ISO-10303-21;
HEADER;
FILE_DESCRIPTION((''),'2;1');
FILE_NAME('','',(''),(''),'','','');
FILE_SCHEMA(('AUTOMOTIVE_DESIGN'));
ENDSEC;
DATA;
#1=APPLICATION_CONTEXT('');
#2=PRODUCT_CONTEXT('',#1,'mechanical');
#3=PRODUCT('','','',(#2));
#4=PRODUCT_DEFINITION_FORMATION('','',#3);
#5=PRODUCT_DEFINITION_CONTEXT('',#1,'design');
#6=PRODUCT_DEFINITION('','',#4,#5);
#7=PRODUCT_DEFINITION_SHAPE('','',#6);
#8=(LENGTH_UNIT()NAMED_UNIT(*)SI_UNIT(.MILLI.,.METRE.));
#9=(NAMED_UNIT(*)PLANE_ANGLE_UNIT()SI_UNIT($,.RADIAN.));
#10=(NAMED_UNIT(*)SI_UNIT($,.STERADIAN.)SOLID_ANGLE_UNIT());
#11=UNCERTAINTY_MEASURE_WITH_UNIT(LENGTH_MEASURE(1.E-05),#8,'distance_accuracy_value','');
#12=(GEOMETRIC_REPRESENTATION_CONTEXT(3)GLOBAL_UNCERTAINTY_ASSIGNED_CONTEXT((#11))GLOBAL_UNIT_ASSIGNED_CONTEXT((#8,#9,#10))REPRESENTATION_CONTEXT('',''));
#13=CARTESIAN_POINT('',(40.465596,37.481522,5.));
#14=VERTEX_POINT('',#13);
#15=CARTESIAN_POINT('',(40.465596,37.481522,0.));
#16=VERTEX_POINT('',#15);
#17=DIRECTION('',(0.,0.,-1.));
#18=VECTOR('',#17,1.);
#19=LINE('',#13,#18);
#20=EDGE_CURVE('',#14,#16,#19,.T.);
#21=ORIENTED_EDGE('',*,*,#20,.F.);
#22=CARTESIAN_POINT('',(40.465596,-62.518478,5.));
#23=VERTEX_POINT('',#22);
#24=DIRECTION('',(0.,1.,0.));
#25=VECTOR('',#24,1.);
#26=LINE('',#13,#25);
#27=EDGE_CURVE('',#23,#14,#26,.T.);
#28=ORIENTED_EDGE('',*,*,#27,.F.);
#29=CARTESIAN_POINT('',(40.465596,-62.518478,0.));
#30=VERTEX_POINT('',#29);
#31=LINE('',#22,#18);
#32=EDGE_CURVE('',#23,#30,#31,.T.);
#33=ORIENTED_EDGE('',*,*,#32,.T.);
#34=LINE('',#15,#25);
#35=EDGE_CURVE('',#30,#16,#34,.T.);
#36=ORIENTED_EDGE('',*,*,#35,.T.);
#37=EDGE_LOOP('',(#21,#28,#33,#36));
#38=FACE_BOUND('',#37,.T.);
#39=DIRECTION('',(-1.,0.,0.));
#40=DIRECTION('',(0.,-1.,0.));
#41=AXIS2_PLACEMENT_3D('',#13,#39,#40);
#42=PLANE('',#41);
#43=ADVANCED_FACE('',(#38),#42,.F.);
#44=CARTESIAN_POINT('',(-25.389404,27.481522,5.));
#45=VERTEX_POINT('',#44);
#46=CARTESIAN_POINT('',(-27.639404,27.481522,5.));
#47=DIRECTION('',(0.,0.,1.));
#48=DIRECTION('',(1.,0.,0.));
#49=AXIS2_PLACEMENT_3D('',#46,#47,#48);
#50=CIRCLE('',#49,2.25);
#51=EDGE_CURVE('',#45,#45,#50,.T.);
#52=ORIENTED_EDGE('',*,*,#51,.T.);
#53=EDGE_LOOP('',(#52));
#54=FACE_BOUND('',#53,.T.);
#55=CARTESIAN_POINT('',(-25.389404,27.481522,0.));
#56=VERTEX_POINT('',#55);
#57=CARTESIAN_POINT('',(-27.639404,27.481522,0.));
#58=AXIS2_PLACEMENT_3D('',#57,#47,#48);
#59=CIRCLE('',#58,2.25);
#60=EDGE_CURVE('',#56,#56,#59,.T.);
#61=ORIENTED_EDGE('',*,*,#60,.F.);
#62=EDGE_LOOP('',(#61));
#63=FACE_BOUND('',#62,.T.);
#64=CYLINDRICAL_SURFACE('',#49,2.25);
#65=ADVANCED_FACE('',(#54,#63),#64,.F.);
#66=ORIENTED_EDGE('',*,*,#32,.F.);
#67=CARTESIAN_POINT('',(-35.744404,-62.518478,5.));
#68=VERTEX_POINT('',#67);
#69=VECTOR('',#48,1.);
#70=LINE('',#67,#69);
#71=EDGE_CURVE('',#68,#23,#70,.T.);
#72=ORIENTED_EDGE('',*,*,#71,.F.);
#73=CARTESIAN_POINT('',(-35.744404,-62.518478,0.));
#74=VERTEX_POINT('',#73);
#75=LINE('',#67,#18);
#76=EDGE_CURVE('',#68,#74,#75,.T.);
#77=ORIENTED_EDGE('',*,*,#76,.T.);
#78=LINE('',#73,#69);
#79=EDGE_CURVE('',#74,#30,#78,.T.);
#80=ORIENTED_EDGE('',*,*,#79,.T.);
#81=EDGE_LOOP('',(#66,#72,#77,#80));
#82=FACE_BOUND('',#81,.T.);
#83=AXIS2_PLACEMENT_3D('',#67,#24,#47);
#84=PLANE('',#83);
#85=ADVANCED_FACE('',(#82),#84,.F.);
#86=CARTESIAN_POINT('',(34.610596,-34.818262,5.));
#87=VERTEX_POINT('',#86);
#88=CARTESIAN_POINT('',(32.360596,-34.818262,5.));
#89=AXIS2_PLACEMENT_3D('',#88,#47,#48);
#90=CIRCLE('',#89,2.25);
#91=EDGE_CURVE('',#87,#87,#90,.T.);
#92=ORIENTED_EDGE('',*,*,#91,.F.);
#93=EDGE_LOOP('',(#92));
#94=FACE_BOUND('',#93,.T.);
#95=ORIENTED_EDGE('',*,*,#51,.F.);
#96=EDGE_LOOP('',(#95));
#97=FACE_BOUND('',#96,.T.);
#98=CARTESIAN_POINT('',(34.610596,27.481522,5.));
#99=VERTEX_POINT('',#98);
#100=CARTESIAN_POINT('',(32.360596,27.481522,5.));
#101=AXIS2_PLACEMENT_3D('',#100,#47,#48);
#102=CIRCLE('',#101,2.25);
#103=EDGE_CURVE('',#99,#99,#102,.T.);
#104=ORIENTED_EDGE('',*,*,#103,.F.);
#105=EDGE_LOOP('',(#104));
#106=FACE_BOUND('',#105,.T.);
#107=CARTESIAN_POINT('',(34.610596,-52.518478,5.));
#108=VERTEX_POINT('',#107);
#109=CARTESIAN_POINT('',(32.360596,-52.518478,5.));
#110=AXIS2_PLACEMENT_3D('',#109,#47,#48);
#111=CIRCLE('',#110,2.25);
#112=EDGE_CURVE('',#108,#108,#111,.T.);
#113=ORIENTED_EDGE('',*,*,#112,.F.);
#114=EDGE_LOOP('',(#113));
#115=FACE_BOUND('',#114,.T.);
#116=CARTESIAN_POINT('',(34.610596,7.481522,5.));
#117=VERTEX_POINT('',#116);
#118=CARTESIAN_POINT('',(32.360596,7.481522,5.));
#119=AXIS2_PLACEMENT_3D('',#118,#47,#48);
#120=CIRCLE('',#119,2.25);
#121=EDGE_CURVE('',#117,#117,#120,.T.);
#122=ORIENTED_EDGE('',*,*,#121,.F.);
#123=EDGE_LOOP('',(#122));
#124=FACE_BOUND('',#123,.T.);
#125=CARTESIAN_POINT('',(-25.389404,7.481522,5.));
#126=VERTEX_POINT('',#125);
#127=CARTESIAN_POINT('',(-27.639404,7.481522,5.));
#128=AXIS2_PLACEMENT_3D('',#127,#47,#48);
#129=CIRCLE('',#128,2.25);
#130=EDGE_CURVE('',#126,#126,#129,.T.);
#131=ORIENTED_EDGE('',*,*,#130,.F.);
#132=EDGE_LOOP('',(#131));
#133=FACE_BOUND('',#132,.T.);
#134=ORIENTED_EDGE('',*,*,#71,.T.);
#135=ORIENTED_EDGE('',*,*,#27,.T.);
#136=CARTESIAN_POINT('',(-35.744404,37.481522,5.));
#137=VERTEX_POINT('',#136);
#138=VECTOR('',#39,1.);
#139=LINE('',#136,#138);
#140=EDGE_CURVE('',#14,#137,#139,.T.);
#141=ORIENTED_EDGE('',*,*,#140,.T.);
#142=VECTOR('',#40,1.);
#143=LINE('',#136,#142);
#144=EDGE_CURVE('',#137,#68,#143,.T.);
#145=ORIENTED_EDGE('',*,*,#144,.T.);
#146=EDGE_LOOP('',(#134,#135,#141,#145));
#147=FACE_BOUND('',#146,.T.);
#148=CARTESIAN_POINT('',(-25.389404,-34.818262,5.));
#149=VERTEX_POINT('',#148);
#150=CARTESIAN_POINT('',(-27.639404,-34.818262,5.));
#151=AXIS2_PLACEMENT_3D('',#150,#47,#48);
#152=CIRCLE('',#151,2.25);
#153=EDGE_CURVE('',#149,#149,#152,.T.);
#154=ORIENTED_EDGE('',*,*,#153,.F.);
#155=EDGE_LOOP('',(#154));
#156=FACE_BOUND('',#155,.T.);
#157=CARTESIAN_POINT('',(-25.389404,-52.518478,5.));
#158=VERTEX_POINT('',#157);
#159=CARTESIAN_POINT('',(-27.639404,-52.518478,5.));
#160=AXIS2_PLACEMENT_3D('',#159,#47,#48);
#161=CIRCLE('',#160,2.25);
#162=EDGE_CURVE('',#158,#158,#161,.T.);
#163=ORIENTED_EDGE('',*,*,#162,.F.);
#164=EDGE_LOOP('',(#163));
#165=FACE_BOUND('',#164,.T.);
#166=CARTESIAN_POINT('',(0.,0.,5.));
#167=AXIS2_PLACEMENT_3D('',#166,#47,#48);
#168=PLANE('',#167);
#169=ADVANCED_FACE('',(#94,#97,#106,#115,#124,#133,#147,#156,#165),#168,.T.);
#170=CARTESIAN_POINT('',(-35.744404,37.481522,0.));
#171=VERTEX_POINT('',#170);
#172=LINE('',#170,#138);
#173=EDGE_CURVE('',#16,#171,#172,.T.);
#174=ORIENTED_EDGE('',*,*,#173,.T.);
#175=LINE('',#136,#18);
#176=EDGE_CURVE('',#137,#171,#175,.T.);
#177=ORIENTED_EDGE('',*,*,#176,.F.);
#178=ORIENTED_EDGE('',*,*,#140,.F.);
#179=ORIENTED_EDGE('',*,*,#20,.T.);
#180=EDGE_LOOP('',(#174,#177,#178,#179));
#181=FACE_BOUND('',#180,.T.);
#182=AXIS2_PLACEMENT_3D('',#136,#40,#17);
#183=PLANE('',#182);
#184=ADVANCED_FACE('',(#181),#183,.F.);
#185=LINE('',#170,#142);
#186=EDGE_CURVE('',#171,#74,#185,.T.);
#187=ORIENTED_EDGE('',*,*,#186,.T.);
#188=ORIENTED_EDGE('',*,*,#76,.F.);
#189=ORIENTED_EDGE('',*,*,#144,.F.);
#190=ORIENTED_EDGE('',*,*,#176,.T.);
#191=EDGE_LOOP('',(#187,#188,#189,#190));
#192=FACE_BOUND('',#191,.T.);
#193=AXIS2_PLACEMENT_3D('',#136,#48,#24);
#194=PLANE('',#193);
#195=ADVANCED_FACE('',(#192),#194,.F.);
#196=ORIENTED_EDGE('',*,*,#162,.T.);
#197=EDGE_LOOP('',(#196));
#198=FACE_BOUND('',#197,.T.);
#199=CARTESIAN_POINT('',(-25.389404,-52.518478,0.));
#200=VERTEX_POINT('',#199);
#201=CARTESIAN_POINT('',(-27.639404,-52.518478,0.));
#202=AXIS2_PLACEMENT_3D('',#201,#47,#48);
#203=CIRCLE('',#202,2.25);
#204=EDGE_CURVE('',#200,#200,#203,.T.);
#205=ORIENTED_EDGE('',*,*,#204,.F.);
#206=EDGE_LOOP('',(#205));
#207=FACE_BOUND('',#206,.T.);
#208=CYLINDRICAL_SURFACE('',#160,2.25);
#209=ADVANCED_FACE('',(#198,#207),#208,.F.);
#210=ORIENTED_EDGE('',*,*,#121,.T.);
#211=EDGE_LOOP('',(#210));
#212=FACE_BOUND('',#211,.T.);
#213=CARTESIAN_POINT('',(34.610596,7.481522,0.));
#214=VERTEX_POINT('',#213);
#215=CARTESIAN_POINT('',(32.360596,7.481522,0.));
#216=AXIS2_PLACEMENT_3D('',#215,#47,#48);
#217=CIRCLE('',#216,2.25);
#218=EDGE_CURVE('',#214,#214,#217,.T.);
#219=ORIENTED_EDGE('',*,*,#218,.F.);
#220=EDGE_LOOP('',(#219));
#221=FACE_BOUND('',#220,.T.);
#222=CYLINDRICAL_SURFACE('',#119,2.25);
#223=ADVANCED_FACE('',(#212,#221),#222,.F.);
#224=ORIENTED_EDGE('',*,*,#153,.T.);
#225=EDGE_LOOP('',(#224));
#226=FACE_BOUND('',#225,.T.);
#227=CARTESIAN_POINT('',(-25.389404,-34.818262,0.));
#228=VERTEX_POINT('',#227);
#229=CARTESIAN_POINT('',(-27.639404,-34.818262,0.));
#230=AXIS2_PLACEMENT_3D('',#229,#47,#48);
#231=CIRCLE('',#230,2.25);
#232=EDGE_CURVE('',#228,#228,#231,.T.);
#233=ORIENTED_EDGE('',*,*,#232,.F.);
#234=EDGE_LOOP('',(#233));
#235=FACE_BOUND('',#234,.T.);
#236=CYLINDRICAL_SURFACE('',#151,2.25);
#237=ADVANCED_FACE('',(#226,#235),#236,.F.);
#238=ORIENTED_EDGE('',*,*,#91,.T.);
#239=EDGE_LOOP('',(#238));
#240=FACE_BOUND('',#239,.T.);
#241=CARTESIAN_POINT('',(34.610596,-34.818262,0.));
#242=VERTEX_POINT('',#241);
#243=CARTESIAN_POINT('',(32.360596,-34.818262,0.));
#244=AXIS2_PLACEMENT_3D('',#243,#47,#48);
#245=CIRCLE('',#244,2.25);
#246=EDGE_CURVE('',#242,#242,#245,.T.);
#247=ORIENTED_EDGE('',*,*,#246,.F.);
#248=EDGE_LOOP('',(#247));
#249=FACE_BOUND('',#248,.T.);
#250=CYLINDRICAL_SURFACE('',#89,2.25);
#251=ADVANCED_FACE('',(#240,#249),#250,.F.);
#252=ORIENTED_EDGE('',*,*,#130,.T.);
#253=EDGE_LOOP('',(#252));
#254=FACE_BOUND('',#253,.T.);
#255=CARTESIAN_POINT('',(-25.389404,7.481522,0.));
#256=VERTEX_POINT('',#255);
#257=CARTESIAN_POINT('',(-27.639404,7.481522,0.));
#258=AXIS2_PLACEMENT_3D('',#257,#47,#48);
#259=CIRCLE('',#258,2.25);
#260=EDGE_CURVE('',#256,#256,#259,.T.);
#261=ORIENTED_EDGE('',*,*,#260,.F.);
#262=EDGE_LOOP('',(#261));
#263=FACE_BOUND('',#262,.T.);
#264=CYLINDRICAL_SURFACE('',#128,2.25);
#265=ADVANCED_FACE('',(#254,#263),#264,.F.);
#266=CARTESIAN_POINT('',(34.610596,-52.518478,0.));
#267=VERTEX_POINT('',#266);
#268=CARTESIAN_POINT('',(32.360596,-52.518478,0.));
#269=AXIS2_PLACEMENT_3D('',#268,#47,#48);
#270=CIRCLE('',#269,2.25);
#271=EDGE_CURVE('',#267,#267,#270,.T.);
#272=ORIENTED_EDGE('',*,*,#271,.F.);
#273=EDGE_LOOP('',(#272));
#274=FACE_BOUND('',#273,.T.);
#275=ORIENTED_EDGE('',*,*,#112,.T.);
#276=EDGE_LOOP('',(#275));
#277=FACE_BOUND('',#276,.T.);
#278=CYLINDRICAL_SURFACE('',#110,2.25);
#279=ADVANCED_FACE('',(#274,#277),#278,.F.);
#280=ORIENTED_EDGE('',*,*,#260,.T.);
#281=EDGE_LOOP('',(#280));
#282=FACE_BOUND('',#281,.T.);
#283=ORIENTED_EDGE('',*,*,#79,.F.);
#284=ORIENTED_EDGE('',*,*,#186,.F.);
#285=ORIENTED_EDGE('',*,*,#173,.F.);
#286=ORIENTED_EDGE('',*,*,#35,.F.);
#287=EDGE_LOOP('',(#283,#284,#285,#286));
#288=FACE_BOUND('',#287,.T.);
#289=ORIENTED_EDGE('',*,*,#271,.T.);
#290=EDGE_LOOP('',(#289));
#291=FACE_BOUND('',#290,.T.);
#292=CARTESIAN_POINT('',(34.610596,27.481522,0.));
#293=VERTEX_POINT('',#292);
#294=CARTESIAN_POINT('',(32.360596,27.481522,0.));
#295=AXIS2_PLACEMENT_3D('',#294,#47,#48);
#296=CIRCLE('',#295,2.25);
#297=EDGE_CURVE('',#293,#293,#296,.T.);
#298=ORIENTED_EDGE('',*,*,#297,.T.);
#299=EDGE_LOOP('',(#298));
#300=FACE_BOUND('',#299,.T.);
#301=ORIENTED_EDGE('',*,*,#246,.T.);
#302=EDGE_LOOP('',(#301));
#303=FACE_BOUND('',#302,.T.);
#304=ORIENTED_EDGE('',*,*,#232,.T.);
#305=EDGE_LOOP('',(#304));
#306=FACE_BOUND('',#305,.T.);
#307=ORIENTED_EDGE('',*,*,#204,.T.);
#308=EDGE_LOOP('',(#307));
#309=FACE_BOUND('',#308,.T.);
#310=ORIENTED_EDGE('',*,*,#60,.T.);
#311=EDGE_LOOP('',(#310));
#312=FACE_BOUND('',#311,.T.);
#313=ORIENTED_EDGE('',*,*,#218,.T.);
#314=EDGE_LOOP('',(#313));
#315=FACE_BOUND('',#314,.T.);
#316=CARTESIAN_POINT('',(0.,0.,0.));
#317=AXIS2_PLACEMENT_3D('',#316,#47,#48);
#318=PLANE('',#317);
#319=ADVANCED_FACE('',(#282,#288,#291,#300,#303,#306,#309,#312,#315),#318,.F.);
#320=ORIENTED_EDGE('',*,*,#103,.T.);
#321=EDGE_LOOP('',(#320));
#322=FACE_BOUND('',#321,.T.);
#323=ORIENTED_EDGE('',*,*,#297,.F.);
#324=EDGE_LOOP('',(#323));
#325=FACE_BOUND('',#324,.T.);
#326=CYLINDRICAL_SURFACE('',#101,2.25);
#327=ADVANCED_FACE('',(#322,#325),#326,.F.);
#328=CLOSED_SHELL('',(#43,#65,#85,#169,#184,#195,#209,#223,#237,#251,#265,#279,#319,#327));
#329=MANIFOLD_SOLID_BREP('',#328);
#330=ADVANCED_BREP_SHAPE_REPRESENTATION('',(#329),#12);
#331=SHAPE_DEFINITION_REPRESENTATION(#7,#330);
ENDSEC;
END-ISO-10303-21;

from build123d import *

# Parameters (mm, degrees)
SKETCH1_W                = 76.21
SKETCH1_H                = 100
BOSS_EXTRUDE1_DEPTH      = 5
M4_CLEARANCE_HOLE1_D     = 4.5
M4_CLEARANCE_HOLE1_DEPTH = 5
M4_CLEARANCE_HOLE1_TIP   = 1.351936393


with BuildPart() as part:
    # Sketch1 → Boss-Extrude1 (new body)
    with BuildSketch(Plane.XY):
        with Locations((2.360596056, -12.518477597)):
            Rectangle(SKETCH1_W, SKETCH1_H)
    extrude(amount=BOSS_EXTRUDE1_DEPTH)

    # M4 Clearance Hole1
    with Locations(Plane.XY.offset(5)):
        with Locations((-27.639403944, 7.481522403), (-27.639403944, 27.481522403), (32.360596056, 7.481522403), (32.360596056, 27.481522403), (32.360596056, -52.518477597), (32.360596056, -34.818262245), (-27.639403944, -34.818262245), (-27.639403944, -52.518477597)):
            Hole(M4_CLEARANCE_HOLE1_D / 2, depth=M4_CLEARANCE_HOLE1_DEPTH)
            with Locations((0, 0, -(M4_CLEARANCE_HOLE1_DEPTH + M4_CLEARANCE_HOLE1_TIP / 2))):  # 118° drill point
                Cone(0, M4_CLEARANCE_HOLE1_D / 2, M4_CLEARANCE_HOLE1_TIP, mode=Mode.SUBTRACT)


solid = part.part
